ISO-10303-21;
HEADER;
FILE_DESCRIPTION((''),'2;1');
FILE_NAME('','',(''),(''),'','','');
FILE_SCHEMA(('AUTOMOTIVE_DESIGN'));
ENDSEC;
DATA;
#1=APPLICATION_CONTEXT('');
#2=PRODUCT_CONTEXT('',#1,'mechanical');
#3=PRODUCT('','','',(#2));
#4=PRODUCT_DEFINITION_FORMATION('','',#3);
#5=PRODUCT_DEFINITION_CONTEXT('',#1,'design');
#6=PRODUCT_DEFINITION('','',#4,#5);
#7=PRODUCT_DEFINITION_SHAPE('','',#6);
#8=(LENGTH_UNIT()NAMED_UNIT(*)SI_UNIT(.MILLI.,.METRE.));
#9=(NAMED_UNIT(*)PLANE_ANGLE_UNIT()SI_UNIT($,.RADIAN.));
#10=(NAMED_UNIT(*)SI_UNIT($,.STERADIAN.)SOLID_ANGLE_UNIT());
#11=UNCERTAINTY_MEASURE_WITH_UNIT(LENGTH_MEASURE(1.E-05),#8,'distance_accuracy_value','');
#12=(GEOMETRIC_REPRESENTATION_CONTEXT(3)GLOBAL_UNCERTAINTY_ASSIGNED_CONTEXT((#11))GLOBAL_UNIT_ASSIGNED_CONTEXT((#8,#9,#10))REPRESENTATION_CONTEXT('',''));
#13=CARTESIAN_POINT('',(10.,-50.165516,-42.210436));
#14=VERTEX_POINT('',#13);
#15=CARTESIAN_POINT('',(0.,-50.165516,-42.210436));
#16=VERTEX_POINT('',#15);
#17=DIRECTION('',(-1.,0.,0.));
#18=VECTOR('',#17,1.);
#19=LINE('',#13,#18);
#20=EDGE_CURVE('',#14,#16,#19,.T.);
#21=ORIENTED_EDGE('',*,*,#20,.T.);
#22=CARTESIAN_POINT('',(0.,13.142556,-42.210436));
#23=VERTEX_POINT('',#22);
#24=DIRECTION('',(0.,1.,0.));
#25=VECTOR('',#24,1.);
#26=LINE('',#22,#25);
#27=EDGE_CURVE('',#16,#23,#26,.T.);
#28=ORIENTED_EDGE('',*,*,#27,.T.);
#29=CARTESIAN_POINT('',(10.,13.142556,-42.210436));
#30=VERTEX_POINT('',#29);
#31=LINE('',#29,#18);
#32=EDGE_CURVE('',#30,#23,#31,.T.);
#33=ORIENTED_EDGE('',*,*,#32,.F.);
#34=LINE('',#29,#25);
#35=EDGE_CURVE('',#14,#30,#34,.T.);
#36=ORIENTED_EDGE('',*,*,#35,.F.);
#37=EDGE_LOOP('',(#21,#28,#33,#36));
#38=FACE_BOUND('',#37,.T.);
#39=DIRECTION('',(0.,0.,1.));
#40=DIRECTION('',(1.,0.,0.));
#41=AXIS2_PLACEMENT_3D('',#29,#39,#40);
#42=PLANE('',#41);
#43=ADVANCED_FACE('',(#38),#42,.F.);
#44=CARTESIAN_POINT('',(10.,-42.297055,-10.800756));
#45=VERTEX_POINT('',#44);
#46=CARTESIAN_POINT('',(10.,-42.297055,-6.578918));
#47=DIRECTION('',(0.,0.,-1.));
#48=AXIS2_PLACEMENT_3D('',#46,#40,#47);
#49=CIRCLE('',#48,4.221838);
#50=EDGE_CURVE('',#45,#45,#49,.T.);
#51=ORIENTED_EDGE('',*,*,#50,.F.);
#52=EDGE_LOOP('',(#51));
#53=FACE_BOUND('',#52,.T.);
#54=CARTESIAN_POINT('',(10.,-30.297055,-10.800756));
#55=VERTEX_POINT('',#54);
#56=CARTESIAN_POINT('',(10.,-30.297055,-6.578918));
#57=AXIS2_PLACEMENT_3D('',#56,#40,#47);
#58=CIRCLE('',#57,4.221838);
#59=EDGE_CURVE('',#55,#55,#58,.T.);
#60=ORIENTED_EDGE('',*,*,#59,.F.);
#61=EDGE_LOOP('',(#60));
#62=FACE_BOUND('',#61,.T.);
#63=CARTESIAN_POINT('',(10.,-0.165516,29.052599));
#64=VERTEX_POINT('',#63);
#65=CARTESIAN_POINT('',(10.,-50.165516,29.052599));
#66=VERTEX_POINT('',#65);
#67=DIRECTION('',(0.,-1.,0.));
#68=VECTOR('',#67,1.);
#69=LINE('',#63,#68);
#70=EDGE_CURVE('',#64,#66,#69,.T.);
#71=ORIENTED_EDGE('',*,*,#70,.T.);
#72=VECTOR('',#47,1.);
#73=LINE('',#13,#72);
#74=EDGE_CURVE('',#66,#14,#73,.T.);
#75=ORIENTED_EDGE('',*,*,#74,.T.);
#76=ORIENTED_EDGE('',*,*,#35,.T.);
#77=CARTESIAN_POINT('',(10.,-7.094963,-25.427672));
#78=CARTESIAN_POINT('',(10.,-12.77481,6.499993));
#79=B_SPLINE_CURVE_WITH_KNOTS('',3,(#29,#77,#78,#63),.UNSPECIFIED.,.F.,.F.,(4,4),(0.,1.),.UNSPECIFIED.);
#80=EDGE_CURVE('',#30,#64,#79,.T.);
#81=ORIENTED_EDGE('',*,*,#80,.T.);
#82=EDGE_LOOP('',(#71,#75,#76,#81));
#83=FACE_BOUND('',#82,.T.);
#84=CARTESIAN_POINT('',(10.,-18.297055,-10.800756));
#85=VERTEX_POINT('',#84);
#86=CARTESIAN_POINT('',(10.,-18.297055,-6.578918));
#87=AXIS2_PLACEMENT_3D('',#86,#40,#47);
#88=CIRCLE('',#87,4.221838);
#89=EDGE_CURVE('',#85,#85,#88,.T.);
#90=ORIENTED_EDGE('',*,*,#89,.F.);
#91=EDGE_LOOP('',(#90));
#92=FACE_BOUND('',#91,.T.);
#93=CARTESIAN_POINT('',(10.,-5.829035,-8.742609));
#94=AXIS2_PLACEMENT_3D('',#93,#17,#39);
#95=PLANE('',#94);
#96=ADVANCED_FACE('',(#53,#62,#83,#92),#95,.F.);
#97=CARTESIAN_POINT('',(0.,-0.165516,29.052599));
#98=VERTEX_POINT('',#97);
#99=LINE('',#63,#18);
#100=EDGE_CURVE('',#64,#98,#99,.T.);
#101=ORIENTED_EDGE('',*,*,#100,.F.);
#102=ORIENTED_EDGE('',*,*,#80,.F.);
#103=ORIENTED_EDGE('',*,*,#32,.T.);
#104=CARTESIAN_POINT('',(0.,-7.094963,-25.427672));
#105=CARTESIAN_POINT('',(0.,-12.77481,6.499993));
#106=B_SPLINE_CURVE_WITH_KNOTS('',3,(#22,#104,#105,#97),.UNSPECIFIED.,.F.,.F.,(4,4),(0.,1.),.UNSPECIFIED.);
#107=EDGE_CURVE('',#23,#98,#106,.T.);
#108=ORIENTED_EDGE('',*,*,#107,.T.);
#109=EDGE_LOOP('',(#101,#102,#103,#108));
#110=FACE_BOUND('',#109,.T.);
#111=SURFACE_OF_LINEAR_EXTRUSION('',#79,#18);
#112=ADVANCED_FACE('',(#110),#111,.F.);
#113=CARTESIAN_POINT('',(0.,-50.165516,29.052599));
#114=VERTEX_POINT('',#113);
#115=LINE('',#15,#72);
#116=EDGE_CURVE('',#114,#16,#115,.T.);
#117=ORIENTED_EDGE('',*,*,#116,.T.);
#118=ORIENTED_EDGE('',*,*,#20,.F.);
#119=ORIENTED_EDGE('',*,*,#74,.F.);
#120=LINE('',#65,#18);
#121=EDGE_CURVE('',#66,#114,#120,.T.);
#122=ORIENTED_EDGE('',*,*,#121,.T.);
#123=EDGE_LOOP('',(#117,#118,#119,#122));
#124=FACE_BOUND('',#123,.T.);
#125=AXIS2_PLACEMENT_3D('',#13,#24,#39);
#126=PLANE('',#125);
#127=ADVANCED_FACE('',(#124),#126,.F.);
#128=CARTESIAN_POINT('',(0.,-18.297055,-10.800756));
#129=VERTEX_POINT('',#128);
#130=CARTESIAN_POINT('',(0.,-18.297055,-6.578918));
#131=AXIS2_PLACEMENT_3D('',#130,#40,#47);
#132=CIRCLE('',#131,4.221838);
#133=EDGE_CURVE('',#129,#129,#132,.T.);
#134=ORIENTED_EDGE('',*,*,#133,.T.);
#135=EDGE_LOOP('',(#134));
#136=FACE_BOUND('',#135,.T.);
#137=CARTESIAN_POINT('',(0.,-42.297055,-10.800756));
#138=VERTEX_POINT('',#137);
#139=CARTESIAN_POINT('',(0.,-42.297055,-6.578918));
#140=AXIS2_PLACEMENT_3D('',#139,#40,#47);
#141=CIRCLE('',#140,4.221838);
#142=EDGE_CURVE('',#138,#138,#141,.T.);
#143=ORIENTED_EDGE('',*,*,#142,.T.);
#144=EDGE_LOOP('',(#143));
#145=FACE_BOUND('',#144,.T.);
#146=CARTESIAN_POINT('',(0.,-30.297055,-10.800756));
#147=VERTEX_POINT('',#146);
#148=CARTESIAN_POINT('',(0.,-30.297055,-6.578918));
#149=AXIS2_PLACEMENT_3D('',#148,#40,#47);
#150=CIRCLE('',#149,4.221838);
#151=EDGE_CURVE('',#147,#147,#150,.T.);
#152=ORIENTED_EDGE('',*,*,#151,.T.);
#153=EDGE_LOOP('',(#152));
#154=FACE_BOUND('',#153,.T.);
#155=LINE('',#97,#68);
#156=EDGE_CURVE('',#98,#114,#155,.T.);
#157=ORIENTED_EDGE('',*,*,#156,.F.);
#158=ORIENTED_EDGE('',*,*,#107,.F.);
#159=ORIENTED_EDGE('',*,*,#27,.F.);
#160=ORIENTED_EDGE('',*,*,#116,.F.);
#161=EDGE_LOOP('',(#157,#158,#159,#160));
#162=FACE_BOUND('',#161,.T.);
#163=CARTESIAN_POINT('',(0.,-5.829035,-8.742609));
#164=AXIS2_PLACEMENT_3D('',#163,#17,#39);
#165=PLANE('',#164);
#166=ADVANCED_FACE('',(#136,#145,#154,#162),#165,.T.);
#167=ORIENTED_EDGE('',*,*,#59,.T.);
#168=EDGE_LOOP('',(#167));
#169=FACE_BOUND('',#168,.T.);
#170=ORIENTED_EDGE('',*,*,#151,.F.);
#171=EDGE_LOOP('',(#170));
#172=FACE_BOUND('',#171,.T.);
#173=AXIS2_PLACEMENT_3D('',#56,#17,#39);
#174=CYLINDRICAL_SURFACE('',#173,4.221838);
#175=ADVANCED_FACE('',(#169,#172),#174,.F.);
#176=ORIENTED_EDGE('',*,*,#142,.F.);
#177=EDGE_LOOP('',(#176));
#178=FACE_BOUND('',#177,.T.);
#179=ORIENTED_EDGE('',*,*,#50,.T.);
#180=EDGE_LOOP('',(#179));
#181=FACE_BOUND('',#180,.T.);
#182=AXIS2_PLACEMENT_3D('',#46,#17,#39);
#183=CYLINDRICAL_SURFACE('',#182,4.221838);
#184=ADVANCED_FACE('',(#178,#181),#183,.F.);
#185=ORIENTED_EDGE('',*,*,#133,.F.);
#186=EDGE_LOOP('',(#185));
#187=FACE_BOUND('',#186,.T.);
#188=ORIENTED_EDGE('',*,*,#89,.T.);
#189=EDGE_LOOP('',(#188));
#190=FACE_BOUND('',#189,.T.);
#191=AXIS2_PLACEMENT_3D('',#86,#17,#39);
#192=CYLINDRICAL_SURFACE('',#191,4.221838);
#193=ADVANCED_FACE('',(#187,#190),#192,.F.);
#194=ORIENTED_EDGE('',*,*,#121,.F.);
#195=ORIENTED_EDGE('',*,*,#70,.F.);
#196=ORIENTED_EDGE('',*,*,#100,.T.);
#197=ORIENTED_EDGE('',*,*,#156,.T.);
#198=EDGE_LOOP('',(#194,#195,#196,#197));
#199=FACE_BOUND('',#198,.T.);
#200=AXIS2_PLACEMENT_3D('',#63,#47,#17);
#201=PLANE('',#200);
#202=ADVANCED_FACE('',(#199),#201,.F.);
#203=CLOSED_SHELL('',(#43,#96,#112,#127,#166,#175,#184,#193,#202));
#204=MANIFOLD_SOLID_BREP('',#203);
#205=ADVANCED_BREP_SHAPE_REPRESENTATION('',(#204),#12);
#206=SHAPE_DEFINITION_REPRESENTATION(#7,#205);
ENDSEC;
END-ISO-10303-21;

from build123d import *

# Parameters (mm, degrees)
SKETCH1_R           = 4.221837906
BOSS_EXTRUDE1_DEPTH = 10


with BuildPart() as part:
    # Sketch1 → Boss-Extrude1 (new body)
    with BuildSketch(Plane(origin=(0, 0, 0), x_dir=(0, 0, -1), z_dir=(1, 0, 0))):
        with BuildLine():
            Line((-29.05259943, -0.165516433), (-29.05259943, -50.165516433))
            Line((-29.05259943, -50.165516433), (42.210436172, -50.165516433))
            Line((42.210436172, -50.165516433), (42.210436172, 13.142555632))
            add(Edge.make_bspline(
                [(-29.05259943, -0.165516433), (-6.499992704, -12.774809737), (25.427672134, -7.094962856), (42.210436172, 13.142555632)],
                knots=[0, 0, 0, 0, 1, 1, 1, 1], degree=3))
        make_face()
        with Locations((6.578918371, -42.29705463)):
            Circle(SKETCH1_R, mode=Mode.SUBTRACT)
        with Locations((6.578918371, -30.29705463)):
            Circle(SKETCH1_R, mode=Mode.SUBTRACT)
        with Locations((6.578918371, -18.29705463)):
            Circle(SKETCH1_R, mode=Mode.SUBTRACT)
    extrude(amount=BOSS_EXTRUDE1_DEPTH)


solid = part.part
